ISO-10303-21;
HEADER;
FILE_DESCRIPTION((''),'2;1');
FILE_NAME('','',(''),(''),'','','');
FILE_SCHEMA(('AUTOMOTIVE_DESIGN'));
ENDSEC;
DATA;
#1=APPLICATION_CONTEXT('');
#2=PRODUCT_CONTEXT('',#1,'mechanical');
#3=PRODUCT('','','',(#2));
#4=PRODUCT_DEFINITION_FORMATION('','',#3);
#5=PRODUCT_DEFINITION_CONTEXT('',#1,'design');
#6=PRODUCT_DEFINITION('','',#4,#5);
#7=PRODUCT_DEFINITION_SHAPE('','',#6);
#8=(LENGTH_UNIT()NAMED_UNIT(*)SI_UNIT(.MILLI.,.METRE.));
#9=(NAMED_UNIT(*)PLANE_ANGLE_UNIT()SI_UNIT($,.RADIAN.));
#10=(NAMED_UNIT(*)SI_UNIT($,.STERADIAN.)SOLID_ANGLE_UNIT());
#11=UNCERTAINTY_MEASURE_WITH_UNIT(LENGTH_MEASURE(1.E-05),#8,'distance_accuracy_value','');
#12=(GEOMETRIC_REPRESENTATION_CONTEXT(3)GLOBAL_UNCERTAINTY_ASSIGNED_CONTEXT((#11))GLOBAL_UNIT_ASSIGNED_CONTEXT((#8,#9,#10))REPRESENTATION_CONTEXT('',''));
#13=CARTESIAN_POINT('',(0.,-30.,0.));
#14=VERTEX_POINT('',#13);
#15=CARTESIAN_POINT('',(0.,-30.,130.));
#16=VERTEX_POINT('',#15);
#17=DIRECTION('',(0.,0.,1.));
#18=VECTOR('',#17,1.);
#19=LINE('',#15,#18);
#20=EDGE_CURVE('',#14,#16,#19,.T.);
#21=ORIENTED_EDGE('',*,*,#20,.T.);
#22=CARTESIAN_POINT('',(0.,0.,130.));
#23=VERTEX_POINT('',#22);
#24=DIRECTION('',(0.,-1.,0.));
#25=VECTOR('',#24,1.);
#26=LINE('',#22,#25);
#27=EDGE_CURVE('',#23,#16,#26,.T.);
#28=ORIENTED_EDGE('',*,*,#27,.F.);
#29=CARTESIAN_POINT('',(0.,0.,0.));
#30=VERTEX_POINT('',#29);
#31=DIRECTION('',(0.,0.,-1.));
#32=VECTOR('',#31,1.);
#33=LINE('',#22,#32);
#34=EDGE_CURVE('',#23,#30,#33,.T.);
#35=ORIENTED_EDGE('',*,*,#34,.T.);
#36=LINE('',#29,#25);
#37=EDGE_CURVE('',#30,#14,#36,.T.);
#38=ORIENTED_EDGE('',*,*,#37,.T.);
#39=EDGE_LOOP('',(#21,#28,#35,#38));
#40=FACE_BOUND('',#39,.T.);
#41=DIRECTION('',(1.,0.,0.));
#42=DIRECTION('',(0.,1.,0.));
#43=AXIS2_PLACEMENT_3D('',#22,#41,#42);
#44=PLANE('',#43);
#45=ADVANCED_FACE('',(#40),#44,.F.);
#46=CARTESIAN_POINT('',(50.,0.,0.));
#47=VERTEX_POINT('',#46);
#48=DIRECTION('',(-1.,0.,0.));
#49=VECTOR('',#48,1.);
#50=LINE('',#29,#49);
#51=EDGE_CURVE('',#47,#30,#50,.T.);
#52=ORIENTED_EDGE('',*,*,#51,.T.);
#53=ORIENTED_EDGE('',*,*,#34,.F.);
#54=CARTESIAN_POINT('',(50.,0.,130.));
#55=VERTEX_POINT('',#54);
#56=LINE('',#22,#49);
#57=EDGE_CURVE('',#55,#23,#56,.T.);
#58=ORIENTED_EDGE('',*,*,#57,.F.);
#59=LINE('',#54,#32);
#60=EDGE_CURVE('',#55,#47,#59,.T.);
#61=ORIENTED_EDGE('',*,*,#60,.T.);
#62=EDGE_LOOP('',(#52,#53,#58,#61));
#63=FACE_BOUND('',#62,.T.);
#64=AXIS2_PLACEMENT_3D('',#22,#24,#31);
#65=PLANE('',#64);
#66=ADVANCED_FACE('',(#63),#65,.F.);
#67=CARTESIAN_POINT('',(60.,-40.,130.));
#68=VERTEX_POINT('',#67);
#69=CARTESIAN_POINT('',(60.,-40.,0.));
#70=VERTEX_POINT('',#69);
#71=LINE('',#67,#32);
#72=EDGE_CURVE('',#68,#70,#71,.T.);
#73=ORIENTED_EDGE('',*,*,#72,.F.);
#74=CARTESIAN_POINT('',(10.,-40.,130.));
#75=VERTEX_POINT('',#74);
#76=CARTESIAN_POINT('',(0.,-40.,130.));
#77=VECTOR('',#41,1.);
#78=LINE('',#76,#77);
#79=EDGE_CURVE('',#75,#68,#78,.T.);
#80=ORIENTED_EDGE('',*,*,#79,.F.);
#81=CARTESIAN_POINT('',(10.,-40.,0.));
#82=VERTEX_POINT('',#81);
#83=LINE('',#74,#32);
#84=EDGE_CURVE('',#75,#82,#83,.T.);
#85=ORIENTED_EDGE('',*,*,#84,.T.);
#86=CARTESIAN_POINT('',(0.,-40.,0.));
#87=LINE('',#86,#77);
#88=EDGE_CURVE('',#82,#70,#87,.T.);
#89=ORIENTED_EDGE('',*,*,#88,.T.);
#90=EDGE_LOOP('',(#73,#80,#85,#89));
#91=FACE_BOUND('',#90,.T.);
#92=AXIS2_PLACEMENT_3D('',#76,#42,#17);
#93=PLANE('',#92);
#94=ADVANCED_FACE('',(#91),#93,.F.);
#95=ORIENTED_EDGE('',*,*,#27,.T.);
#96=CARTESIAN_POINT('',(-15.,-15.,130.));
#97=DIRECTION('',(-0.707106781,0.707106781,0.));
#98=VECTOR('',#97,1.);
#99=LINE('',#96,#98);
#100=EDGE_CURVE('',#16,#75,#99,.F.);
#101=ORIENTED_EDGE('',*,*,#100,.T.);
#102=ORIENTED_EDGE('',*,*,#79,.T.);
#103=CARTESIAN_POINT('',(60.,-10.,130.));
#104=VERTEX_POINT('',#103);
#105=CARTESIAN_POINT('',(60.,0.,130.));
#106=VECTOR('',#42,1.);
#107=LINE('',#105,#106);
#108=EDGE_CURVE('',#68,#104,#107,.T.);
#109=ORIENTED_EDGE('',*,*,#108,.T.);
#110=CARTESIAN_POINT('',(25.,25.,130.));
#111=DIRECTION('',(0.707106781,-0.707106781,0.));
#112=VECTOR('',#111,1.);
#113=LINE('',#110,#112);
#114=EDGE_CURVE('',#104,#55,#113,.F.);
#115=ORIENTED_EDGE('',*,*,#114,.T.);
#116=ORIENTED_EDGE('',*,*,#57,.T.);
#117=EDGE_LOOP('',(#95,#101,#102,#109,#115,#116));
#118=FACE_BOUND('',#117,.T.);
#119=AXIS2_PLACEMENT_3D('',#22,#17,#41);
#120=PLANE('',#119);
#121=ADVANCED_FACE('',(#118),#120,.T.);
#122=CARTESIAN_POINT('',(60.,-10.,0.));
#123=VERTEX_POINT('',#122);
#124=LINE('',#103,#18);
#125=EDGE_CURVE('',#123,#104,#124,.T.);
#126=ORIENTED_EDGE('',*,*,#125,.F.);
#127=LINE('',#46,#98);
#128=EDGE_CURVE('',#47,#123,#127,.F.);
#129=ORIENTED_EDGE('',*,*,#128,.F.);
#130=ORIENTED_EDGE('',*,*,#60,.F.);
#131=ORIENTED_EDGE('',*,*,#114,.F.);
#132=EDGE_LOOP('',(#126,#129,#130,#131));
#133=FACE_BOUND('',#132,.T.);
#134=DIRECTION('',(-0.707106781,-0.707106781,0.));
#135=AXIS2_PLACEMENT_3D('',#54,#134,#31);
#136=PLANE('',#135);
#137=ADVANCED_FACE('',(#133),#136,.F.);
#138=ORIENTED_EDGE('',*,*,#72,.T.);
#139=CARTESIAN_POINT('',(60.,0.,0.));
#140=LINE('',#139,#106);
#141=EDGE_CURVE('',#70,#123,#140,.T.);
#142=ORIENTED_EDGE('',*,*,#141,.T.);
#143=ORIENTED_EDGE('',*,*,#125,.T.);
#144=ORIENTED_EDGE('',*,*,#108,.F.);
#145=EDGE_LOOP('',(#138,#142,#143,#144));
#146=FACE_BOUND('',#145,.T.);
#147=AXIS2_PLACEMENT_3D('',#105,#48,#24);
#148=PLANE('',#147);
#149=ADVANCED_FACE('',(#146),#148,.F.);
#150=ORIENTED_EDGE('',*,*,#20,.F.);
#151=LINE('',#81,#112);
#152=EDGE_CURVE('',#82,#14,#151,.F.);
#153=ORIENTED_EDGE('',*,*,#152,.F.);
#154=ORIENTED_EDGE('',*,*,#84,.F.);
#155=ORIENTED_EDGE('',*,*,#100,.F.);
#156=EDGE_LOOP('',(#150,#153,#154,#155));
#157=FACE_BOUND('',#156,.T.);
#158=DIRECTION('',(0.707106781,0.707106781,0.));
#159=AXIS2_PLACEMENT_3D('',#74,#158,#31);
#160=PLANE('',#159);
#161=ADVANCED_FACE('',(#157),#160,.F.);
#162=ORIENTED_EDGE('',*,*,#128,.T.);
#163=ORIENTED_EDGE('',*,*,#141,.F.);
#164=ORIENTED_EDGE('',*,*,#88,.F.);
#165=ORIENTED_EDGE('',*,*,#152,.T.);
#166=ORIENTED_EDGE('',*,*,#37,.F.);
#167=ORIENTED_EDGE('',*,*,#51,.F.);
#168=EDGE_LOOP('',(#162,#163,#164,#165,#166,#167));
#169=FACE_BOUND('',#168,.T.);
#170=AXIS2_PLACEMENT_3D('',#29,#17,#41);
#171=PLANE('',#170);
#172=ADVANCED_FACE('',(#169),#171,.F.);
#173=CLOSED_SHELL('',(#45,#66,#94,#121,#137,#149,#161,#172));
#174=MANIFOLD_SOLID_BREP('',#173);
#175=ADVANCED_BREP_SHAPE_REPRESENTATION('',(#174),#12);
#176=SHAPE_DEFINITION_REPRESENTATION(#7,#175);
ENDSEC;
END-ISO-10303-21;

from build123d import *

# Parameters (mm, degrees)
SKETCH_1_W      = 60
SKETCH_1_H      = 40
EXTRUDE_1_DEPTH = 130
CHAMFER_1_SIZE  = 10


with BuildPart() as part:
    # 草图1 → 凸台-拉伸1 (new body)
    with BuildSketch(Plane.XY):
        with Locations((30, -20)):
            Rectangle(SKETCH_1_W, SKETCH_1_H)
    extrude(amount=EXTRUDE_1_DEPTH)

    # 倒角1
    chamfer_1_edges = [part.edges().sort_by_distance(p)[0] for p in [
        (60, 0, 65),
        (0, -40, 65),
    ]]
    chamfer(chamfer_1_edges, length=CHAMFER_1_SIZE)


solid = part.part
